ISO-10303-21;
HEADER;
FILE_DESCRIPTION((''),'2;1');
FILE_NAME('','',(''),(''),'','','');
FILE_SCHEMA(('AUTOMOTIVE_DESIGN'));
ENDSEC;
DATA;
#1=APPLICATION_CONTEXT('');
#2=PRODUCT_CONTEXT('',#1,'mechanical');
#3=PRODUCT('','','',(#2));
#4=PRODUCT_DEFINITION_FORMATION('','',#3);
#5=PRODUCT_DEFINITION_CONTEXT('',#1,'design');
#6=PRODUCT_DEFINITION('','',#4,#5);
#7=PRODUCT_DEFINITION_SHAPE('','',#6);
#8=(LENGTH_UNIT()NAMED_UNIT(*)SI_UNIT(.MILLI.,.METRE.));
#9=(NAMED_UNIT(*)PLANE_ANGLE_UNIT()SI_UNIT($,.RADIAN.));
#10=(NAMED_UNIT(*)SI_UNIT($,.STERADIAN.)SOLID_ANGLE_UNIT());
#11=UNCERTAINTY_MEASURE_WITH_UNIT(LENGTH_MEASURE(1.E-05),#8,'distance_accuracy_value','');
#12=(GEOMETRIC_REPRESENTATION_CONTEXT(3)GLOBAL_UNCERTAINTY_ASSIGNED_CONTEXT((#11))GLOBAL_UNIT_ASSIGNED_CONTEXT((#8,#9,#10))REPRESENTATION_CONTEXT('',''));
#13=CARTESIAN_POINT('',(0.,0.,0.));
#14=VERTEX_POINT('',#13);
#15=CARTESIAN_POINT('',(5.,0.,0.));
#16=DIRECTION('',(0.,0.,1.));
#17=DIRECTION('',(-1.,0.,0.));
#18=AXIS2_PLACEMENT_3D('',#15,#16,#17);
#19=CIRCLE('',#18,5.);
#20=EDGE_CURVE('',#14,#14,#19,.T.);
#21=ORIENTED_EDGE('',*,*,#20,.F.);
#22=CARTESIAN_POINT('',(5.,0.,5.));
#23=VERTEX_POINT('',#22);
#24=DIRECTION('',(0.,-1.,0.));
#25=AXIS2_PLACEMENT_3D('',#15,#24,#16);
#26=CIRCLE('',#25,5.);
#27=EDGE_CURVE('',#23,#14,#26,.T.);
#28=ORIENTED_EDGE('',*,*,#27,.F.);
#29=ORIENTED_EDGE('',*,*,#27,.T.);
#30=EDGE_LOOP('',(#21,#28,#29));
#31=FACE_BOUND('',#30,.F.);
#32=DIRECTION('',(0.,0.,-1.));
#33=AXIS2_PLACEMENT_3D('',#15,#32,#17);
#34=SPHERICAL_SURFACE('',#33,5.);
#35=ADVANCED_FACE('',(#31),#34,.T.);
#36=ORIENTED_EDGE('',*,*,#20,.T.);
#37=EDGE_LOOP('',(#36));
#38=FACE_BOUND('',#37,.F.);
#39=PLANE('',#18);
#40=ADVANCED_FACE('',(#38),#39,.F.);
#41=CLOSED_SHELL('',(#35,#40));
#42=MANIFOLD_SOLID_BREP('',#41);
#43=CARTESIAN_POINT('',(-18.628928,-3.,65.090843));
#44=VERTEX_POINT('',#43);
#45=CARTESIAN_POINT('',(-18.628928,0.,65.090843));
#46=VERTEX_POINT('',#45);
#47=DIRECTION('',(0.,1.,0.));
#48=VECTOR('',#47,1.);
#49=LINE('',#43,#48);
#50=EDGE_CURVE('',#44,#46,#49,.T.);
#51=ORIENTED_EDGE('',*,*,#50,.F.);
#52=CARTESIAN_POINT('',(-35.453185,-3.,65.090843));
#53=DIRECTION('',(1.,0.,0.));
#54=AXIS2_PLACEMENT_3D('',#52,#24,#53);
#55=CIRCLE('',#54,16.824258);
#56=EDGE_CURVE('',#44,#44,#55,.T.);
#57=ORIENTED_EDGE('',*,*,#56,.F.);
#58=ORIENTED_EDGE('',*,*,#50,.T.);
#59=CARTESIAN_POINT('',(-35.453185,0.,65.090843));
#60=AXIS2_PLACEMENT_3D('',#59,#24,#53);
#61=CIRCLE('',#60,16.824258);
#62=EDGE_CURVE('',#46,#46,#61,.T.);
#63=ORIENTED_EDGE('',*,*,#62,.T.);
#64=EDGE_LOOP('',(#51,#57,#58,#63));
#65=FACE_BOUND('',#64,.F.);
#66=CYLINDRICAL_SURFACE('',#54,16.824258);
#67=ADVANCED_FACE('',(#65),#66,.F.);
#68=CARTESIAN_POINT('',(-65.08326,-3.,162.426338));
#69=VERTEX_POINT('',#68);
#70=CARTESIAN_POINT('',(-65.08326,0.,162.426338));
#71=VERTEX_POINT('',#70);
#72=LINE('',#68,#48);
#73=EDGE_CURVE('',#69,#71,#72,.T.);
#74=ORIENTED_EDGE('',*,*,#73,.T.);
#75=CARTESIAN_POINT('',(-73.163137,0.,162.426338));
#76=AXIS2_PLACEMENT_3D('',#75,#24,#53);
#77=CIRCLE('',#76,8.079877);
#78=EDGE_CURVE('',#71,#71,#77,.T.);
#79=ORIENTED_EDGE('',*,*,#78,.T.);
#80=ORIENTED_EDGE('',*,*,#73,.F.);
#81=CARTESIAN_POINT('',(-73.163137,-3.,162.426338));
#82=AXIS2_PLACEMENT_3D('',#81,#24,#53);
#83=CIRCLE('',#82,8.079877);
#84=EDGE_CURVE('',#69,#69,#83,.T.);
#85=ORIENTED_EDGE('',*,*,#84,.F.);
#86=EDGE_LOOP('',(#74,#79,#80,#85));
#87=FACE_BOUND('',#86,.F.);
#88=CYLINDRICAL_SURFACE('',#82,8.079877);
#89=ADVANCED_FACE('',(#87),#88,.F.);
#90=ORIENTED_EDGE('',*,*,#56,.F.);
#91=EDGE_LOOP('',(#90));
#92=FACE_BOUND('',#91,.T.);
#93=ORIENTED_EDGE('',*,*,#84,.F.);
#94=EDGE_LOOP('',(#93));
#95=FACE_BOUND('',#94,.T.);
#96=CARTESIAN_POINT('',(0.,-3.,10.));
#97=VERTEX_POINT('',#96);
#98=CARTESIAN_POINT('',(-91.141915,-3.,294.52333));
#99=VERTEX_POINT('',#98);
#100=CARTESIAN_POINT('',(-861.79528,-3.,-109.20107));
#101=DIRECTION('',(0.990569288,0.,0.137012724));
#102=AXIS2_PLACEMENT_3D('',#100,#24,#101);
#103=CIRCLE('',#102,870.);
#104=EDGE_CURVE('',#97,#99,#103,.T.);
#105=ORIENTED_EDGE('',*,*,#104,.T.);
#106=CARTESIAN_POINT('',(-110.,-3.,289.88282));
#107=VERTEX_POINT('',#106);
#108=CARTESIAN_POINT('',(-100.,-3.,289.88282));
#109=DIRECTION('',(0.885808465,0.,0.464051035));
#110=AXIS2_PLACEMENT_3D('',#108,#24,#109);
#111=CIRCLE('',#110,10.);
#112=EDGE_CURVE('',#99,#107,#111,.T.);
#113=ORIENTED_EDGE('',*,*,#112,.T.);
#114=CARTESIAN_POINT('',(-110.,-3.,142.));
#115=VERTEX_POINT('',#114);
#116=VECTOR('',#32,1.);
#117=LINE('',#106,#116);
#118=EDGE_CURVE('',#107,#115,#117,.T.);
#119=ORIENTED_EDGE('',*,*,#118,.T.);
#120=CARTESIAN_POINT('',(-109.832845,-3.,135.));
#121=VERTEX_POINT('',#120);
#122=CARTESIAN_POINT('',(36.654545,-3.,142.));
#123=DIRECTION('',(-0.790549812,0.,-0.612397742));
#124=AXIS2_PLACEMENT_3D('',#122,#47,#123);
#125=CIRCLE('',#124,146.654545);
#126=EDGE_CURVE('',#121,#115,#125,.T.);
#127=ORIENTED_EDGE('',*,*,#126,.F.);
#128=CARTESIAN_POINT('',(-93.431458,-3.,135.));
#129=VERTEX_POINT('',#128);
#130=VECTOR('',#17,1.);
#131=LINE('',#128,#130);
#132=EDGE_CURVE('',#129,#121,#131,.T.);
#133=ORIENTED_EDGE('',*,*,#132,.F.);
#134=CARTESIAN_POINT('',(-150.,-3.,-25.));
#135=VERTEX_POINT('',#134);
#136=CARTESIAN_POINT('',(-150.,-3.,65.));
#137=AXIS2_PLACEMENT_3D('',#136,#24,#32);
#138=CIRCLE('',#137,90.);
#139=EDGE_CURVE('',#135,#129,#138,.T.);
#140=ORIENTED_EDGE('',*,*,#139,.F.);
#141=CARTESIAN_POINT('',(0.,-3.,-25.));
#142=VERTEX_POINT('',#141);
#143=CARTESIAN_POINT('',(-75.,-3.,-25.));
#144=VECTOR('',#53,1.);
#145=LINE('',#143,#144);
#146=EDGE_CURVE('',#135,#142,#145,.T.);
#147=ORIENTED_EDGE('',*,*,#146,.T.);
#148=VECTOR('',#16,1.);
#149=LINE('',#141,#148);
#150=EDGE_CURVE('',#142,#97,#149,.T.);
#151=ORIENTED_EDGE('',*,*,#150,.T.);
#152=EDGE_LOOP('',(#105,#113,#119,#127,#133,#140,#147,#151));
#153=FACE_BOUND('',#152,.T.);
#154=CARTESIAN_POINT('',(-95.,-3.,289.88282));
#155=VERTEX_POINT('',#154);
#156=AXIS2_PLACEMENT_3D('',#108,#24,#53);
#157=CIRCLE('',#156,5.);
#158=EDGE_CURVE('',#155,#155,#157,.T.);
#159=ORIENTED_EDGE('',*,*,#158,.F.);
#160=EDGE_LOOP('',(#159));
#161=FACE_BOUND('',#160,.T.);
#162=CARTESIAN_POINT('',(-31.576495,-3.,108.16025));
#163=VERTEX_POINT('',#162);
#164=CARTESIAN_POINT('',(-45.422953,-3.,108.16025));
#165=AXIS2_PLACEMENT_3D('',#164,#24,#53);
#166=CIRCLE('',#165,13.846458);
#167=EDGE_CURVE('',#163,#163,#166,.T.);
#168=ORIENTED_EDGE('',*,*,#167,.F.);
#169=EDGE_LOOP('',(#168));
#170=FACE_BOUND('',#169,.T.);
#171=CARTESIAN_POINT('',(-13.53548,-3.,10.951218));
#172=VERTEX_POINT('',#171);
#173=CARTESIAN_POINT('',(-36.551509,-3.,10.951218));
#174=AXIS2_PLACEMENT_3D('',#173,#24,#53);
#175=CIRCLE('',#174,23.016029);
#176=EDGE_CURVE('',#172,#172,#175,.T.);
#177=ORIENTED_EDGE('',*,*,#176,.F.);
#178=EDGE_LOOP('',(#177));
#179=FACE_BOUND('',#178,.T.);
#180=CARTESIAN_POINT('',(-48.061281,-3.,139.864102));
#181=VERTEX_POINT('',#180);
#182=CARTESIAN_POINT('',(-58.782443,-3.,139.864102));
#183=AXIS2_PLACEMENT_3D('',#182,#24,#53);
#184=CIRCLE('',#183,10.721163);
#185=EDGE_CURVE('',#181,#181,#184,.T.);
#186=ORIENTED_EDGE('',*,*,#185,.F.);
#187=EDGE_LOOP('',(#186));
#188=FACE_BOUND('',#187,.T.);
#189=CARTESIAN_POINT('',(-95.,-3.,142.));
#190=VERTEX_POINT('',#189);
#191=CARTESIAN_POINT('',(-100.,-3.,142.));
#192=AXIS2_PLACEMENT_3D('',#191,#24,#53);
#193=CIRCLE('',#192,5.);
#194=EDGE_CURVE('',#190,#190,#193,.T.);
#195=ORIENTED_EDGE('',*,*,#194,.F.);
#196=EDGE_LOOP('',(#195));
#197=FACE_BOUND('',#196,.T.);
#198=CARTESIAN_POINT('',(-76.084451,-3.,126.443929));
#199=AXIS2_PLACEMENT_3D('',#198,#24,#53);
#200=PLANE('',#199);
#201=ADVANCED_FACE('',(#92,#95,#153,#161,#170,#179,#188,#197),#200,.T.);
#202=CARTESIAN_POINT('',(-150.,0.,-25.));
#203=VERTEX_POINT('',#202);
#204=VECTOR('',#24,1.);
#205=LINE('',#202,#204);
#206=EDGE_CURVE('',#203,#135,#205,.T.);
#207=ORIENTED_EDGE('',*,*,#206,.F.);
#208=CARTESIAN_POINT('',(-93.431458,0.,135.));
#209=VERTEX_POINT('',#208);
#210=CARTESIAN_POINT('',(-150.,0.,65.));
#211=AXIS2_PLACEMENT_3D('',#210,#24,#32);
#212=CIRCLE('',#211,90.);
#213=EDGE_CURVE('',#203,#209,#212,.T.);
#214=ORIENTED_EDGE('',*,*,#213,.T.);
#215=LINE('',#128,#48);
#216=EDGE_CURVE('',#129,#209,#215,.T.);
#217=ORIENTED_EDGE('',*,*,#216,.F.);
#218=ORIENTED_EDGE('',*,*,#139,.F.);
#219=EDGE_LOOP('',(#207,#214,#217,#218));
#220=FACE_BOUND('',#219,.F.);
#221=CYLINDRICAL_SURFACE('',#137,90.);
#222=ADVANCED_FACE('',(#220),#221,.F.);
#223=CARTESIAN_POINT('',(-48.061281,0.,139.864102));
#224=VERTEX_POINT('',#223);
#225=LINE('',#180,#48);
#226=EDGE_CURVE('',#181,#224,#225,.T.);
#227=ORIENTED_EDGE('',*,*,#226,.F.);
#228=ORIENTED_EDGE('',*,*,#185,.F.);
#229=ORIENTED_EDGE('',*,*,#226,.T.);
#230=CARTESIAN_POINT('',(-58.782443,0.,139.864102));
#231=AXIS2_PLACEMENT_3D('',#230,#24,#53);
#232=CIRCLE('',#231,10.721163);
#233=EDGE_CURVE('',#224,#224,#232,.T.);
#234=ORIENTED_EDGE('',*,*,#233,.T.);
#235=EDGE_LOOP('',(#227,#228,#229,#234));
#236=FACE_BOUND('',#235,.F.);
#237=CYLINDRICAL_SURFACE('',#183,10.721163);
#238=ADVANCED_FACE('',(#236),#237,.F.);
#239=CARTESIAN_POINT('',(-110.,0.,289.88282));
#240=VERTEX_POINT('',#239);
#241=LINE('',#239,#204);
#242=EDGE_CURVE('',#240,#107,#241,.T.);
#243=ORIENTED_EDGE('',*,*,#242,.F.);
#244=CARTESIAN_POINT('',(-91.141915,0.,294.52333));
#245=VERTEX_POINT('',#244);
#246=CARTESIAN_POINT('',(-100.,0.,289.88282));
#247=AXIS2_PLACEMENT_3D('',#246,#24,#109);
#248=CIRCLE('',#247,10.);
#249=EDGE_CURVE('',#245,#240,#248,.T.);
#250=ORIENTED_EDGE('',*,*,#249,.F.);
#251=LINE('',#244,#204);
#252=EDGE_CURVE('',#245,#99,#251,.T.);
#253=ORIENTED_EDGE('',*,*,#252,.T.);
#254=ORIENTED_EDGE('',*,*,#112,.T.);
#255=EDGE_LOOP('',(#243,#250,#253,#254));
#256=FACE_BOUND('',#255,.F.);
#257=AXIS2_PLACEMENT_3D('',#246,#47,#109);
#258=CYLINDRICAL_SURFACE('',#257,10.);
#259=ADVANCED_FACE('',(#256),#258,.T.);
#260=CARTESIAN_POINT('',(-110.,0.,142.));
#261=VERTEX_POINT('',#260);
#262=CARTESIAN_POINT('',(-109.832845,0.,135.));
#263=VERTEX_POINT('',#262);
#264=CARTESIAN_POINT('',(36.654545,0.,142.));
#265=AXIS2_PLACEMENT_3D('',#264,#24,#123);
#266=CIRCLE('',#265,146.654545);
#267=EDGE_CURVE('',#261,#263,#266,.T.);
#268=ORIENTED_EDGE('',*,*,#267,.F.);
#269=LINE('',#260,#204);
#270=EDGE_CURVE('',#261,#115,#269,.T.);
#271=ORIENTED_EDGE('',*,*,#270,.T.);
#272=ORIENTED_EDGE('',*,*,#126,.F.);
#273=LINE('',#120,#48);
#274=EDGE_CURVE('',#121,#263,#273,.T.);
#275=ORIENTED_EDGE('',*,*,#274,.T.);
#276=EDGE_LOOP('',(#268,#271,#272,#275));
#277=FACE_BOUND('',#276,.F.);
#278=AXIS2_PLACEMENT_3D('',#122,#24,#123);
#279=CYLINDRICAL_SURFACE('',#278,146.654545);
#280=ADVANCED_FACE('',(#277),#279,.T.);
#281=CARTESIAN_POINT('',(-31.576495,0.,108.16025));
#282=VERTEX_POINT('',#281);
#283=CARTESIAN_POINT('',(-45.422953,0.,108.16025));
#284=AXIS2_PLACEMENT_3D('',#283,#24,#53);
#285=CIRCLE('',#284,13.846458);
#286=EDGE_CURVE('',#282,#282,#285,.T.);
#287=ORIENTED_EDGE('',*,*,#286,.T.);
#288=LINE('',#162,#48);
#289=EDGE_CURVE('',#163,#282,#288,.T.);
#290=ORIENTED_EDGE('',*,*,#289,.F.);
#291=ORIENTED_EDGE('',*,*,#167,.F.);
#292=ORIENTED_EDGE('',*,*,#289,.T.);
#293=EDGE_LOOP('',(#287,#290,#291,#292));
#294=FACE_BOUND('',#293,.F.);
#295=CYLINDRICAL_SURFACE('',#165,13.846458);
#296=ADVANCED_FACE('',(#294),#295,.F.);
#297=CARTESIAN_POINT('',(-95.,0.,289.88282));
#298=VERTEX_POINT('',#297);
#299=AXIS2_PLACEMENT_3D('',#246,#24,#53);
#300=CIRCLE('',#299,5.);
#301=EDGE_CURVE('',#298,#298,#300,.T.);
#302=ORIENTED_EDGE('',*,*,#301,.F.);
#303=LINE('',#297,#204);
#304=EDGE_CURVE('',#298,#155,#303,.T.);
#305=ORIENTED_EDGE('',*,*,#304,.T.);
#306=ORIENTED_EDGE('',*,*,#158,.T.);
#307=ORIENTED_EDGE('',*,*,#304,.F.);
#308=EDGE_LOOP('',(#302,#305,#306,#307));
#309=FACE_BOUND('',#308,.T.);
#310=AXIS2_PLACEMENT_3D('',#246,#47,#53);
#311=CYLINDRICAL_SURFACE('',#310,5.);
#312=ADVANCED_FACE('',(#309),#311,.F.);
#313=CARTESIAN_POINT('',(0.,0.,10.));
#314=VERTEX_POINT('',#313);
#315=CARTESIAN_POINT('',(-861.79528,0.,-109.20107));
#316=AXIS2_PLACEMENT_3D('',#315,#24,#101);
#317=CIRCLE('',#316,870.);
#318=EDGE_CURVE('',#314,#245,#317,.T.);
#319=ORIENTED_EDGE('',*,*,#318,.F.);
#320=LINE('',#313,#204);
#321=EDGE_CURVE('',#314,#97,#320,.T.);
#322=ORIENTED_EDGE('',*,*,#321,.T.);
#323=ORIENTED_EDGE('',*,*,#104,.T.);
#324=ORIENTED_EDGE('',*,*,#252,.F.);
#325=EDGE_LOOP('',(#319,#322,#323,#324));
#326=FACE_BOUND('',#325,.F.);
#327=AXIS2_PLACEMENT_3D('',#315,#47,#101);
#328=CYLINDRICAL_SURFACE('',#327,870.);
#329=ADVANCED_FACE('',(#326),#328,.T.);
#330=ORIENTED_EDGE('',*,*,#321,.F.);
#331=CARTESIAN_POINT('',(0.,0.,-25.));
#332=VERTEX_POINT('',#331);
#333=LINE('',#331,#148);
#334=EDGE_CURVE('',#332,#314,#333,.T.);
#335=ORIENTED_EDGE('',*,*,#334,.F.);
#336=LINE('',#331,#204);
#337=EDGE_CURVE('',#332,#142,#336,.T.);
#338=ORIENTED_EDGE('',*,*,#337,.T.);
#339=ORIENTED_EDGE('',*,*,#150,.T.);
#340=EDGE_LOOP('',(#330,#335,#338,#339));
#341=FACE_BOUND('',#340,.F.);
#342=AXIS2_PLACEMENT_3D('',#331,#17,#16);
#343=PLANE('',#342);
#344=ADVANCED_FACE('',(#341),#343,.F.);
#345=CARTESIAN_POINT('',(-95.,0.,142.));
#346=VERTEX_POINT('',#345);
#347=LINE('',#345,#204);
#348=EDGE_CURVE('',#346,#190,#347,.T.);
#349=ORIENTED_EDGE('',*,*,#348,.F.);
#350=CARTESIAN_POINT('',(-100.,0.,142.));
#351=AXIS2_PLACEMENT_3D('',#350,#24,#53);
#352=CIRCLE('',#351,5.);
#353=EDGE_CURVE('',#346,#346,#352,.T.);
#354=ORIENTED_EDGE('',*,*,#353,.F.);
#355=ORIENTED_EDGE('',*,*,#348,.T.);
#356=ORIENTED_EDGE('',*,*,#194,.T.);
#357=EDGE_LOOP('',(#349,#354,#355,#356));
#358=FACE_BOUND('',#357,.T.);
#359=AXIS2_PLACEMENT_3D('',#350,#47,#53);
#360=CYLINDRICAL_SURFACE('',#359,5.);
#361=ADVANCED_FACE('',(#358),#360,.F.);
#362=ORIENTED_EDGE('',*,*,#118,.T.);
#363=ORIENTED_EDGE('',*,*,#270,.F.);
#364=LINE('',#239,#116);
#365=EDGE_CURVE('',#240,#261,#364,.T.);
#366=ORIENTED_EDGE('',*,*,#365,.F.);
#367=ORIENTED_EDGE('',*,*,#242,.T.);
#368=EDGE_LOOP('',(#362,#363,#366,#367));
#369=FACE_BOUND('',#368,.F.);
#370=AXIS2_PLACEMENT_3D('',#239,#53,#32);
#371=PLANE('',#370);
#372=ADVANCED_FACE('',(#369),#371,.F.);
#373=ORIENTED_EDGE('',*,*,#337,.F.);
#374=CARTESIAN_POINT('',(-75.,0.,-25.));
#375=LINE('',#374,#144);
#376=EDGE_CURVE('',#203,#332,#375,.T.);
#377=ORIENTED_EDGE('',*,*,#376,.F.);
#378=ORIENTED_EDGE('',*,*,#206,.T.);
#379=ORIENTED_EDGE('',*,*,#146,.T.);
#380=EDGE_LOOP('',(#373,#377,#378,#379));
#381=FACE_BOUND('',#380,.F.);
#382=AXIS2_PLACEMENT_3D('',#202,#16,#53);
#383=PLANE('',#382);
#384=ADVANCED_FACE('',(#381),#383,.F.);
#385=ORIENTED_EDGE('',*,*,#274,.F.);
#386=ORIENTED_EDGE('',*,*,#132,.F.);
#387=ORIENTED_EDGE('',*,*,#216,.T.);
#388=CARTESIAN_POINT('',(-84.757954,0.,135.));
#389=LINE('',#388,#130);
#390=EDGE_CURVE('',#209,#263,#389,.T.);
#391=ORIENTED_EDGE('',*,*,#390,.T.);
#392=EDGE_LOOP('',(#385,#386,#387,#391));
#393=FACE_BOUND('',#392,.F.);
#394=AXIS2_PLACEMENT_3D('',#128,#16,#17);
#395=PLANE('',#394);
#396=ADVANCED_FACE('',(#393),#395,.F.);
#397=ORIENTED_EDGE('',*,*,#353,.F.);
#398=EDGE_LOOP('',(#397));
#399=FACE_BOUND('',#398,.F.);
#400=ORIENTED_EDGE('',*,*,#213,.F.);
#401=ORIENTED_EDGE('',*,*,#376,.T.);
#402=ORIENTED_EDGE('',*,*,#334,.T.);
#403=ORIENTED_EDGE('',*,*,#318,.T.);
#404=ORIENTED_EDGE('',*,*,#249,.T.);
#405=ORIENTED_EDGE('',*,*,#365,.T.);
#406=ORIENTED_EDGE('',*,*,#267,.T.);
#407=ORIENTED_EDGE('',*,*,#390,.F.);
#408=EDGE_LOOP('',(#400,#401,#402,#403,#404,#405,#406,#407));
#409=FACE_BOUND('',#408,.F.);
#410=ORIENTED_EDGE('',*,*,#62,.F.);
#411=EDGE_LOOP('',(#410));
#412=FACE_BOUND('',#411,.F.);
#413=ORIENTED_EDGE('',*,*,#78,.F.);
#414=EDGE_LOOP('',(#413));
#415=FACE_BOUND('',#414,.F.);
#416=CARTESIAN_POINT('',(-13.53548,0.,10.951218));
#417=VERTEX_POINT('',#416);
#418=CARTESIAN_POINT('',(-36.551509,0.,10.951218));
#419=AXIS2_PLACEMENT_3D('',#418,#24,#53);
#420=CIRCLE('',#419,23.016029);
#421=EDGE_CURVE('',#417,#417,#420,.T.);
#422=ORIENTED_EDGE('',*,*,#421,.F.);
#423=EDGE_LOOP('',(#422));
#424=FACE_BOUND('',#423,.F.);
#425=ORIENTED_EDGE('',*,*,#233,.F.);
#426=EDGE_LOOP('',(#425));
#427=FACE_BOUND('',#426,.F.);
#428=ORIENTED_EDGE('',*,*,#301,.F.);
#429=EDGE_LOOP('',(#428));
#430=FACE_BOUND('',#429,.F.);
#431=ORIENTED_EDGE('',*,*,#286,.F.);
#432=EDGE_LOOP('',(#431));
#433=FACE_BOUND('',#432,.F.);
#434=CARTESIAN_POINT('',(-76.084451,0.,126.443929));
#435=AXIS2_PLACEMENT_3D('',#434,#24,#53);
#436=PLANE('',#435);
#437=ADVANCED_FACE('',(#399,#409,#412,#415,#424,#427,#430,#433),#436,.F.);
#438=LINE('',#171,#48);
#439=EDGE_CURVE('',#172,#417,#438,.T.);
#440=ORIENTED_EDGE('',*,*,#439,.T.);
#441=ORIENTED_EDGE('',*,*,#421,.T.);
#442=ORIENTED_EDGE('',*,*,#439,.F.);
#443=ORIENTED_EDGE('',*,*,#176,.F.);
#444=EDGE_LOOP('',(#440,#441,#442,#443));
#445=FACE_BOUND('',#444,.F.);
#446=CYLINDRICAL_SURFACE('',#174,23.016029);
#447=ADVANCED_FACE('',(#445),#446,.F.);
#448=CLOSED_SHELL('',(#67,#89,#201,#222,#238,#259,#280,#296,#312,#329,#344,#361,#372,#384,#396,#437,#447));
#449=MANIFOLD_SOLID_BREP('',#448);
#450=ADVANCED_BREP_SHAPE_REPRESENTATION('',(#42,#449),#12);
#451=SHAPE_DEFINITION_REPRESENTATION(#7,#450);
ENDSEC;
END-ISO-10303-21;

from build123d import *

# Parameters (mm, degrees)
F0_W     = 150
F0_H     = 25
F0_H_2   = 10
F0_R     = 5
F1_DEPTH = 3
F3_DEPTH = 25
F5_DEPTH = 25
F8_R     = 10.7211625117
F8_R_2   = 13.8464579222
F8_R_3   = 8.0798767628
F8_R_4   = 16.8242578826
F8_R_5   = 23.016028867
F9_DEPTH = 25


with BuildPart() as f1:
    # F0 (on Front) → F1 (new body)
    with BuildSketch(Plane.XZ):
        with BuildLine():
            Line((-150, 10), (0, 10))
            ThreePointArc((0, 10), (-33.2661460942, 156.2032895521), (-91.1419153466, 294.5233303461))
            ThreePointArc((-91.1419153466, 294.5233303461), (-90.2896743995, 292.2722920615), (-90, 289.88282))
            ThreePointArc((-90, 289.88282), (-100, 279.88282), (-110, 289.88282))
            Line((-110, 289.88282), (-110, 142))
            ThreePointArc((-110, 142), (-107.4839490045, 110.5993630638), (-100, 80))
            ThreePointArc((-100, 80), (-107.2195262824, 32.2996616303), (-150, 10))
        make_face()
        with BuildLine():
            ThreePointArc((-90, 142), (-100, 132), (-110, 142))
            ThreePointArc((-110, 142), (-100, 152), (-90, 142))
        make_face(mode=Mode.SUBTRACT)
        with Locations((-75, -12.5)):
            Rectangle(F0_W, F0_H)
        with Locations((-75, 5)):
            Rectangle(F0_W, F0_H_2)
        with BuildLine():
            ThreePointArc((-90, 142), (-100, 152), (-110, 142))
            ThreePointArc((-110, 142), (-100, 132), (-90, 142))
        make_face()
        with Locations((-100, 142)):
            Circle(F0_R, mode=Mode.SUBTRACT)
        with BuildLine():
            ThreePointArc((-90, 289.88282), (-90.2896743995, 292.2722920615), (-91.1419153466, 294.5233303461))
            ThreePointArc((-91.1419153466, 294.5233303461), (-102.3894720615, 299.5931456005), (-110, 289.88282))
            ThreePointArc((-110, 289.88282), (-100, 279.88282), (-90, 289.88282))
        make_face()
        with Locations((-100, 289.88282)):
            Circle(F0_R, mode=Mode.SUBTRACT)
    extrude(amount=F1_DEPTH)

    # F2 (on face) → F3 (cut)
    with BuildSketch(Plane.XZ.offset(3)):
        with BuildLine():
            ThreePointArc((-79.2831779252, 52.1890875227), (-102.1084716389, 94.5407460068), (-110, 142))
            ThreePointArc((-110, 142), (-107.4839490045, 110.5993630638), (-100, 80))
            ThreePointArc((-100, 80), (-107.2195262824, 32.2996616303), (-150, 10))
            Line((-150, 10), (-150, -25))
            ThreePointArc((-150, -25), (-97.6573210541, -1.9656019834), (-79.2831779252, 52.1890875227))
        make_face()
    extrude(amount=-F3_DEPTH, mode=Mode.SUBTRACT)

    # F4 (on face) → F5 (cut)
    with BuildSketch(Plane.XZ.offset(3)):
        with BuildLine():
            Line((-93.4314575051, 135), (-109.8328454789, 135))
            ThreePointArc((-109.8328454789, 135), (-100.9359591666, 91.2416633391), (-79.2831779252, 52.1890875227))
            ThreePointArc((-79.2831779252, 52.1890875227), (-97.6573210541, -1.9656019834), (-150, -25))
            ThreePointArc((-150, -25), (-65.1471862576, 35), (-93.4314575051, 135))
        make_face()
    extrude(amount=-F5_DEPTH, mode=Mode.SUBTRACT)

    # F8 (on face) → F9 (cut)
    with BuildSketch(Plane.XZ.offset(3)):
        with Locations((-58.7824434042, 139.864102006)):
            Circle(F8_R)
        with Locations((-45.4229526222, 108.1602498889)):
            Circle(F8_R_2)
        with Locations((-73.1631368399, 162.4263375998)):
            Circle(F8_R_3)
        with Locations((-35.4531854391, 65.090842545)):
            Circle(F8_R_4)
        with Locations((-36.5515090525, 10.9512181953)):
            Circle(F8_R_5)
    extrude(amount=-F9_DEPTH, mode=Mode.SUBTRACT)


with BuildPart() as f7:
    # F6 (on Front) → F7 (revolve)
    with BuildSketch(Plane.XZ):
        with BuildLine():
            ThreePointArc((5, 5), (1.4644660941, 3.5355339059), (0, 0))
            Line((0, 0), (5, 0))
            Line((5, 0), (5, 5))
        make_face()
    revolve(axis=Axis((5, 0, 5.9799733572), (0, 0, 1)))


solid = Compound([f1.part, f7.part])
